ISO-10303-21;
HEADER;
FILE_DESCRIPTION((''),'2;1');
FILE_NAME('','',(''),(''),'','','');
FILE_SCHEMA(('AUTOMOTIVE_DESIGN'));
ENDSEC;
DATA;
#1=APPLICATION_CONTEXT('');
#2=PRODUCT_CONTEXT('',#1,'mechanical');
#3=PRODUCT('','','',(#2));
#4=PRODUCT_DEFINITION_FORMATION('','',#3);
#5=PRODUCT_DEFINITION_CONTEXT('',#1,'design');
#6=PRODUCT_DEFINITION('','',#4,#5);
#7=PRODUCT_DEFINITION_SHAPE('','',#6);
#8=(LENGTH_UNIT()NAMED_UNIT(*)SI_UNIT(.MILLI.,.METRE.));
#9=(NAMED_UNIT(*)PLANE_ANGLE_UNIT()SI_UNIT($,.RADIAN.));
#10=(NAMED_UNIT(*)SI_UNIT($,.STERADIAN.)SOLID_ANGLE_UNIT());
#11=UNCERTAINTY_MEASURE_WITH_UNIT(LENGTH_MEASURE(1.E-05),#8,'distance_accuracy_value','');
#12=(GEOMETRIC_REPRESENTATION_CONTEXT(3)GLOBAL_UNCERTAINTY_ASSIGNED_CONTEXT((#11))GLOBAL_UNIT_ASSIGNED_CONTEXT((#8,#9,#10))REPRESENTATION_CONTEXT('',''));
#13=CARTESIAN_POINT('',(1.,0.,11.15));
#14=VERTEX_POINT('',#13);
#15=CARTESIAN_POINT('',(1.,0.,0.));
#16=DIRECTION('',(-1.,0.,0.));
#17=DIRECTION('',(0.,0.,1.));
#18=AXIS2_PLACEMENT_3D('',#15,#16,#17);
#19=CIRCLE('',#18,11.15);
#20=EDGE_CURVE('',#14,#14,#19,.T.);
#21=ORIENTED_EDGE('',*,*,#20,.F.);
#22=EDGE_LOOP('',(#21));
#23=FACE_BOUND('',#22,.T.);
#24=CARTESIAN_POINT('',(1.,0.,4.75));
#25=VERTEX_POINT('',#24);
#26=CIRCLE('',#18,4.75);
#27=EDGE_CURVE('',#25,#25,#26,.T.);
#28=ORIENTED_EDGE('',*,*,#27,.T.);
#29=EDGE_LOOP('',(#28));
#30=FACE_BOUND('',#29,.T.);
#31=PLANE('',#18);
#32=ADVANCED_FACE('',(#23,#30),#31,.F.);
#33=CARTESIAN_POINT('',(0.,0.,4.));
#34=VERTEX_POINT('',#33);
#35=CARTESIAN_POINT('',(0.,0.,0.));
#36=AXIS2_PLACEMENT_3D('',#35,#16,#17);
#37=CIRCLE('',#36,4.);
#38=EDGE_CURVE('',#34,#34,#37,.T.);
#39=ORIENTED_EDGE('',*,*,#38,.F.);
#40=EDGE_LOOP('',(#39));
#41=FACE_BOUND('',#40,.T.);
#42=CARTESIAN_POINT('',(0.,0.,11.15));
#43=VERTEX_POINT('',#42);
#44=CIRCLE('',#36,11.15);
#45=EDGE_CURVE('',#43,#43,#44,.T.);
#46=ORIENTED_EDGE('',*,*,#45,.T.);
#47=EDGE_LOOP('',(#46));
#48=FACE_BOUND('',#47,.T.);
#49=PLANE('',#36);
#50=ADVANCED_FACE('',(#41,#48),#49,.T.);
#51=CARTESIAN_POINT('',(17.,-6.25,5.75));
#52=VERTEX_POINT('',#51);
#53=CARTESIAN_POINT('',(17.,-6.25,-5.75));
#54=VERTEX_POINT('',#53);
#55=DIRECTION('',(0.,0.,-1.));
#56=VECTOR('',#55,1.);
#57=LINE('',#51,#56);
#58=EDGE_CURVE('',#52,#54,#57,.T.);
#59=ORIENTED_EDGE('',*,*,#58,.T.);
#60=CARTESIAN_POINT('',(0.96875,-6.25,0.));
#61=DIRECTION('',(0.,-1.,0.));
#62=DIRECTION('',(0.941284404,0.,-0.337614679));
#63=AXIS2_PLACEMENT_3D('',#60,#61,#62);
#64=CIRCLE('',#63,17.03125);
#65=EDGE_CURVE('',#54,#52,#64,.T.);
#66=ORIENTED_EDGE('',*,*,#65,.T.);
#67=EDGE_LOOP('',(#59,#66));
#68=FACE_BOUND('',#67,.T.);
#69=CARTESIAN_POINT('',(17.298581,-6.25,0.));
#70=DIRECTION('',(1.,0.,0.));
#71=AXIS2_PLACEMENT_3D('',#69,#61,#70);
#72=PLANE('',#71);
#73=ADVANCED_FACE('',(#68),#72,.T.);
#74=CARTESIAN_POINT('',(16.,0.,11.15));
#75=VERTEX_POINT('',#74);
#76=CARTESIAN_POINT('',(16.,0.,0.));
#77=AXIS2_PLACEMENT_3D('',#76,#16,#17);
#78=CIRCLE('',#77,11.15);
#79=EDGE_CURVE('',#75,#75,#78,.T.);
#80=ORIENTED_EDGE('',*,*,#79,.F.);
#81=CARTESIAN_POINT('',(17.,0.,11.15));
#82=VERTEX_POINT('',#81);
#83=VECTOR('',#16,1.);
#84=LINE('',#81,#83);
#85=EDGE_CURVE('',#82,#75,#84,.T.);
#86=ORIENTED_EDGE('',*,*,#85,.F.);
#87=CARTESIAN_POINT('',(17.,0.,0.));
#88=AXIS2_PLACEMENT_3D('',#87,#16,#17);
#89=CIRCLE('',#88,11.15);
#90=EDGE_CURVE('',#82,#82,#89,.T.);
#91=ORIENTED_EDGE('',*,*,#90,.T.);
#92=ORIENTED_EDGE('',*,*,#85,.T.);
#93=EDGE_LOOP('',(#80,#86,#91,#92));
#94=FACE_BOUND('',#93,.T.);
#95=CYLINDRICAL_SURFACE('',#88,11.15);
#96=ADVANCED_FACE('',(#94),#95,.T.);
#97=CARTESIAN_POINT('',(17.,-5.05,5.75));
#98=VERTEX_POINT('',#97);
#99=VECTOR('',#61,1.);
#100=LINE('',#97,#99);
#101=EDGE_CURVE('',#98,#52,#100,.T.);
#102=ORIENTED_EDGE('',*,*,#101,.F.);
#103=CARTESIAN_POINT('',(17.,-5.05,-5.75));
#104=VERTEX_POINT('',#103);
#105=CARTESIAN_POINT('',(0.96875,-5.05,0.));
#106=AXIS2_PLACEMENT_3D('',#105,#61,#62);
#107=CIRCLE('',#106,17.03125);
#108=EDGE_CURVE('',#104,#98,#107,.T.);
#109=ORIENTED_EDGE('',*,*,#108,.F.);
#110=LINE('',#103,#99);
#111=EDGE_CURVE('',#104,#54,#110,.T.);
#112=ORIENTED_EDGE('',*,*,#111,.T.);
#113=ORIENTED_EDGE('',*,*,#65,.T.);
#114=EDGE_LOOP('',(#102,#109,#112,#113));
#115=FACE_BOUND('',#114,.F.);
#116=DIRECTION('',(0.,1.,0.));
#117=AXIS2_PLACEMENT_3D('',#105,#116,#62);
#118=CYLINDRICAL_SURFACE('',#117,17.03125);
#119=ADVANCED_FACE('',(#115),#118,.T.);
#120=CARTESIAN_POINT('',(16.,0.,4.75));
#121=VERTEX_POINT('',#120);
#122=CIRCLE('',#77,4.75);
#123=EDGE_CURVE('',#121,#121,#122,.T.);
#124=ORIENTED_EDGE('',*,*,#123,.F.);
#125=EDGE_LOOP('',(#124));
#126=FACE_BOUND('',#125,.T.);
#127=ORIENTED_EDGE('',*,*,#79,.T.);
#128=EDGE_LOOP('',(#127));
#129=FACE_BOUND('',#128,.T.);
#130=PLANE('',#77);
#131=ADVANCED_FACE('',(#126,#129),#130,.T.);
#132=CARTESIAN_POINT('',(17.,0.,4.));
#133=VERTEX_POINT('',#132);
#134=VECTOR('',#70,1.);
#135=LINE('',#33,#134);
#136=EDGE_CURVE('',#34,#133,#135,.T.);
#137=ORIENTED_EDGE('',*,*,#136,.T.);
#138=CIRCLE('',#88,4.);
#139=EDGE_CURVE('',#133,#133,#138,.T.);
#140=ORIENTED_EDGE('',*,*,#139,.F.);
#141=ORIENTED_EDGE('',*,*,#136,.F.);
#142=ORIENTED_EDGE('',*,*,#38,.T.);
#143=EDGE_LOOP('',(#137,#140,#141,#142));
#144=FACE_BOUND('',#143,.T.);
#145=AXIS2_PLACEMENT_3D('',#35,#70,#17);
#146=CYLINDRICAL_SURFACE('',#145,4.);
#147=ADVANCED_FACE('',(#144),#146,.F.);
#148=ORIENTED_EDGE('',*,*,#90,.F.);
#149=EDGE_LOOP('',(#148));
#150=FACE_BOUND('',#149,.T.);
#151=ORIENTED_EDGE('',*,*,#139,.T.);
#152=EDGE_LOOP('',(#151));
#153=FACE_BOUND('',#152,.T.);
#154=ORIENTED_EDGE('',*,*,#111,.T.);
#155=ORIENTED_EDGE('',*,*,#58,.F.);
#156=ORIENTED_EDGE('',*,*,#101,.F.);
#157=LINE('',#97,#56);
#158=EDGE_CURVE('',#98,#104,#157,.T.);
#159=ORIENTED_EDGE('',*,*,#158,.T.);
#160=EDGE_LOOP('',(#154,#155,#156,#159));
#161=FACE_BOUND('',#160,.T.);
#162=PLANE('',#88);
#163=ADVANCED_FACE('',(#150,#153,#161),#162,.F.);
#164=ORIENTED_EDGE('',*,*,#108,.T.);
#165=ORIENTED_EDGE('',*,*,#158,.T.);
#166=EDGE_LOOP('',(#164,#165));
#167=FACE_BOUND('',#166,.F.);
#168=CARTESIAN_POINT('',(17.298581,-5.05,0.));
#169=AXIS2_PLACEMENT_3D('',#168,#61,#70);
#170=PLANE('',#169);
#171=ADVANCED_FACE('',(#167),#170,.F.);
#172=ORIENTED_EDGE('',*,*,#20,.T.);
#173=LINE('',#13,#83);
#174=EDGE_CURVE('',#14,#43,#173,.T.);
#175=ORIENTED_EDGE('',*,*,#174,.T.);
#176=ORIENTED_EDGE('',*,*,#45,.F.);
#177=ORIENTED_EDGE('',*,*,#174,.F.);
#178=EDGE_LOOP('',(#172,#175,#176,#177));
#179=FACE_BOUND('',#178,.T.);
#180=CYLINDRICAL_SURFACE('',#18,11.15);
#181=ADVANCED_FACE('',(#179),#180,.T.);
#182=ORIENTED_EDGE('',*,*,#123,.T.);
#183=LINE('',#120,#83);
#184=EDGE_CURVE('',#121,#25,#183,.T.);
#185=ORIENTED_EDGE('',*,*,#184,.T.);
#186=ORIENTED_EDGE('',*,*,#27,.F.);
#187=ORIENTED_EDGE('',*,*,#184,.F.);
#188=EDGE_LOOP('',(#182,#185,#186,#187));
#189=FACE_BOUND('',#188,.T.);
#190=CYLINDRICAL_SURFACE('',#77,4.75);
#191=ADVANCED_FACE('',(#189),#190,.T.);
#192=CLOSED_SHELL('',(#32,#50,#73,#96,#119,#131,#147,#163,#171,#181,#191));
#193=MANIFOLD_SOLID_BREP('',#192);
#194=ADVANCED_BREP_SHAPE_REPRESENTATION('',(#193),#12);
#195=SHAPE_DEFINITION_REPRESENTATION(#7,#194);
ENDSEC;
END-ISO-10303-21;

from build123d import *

# Parameters (mm, degrees)
F3_START = 5.05
F3_DEPTH = 1.2


with BuildPart() as f1:
    # F0 (on Front) → F1 (revolve)
    with BuildSketch(Plane.XZ):
        Polygon((0, 11.15), (0, 4), (17, 4), (17, 11.15), (16, 11.15), (16, 4.75), (1, 4.75), (1, 11.15), align=None)
    revolve(axis=Axis((9.8618045449, 0, 0), (-1, 0, 0)))

    # F2 (on Front) → F3 (join)
    with BuildSketch(Plane.XZ.offset(F3_START)):
        with BuildLine():
            Line((17, 5.75), (17, -5.75))
            ThreePointArc((17, -5.75), (18, 0), (17, 5.75))
        make_face()
    extrude(amount=F3_DEPTH)


solid = f1.part
